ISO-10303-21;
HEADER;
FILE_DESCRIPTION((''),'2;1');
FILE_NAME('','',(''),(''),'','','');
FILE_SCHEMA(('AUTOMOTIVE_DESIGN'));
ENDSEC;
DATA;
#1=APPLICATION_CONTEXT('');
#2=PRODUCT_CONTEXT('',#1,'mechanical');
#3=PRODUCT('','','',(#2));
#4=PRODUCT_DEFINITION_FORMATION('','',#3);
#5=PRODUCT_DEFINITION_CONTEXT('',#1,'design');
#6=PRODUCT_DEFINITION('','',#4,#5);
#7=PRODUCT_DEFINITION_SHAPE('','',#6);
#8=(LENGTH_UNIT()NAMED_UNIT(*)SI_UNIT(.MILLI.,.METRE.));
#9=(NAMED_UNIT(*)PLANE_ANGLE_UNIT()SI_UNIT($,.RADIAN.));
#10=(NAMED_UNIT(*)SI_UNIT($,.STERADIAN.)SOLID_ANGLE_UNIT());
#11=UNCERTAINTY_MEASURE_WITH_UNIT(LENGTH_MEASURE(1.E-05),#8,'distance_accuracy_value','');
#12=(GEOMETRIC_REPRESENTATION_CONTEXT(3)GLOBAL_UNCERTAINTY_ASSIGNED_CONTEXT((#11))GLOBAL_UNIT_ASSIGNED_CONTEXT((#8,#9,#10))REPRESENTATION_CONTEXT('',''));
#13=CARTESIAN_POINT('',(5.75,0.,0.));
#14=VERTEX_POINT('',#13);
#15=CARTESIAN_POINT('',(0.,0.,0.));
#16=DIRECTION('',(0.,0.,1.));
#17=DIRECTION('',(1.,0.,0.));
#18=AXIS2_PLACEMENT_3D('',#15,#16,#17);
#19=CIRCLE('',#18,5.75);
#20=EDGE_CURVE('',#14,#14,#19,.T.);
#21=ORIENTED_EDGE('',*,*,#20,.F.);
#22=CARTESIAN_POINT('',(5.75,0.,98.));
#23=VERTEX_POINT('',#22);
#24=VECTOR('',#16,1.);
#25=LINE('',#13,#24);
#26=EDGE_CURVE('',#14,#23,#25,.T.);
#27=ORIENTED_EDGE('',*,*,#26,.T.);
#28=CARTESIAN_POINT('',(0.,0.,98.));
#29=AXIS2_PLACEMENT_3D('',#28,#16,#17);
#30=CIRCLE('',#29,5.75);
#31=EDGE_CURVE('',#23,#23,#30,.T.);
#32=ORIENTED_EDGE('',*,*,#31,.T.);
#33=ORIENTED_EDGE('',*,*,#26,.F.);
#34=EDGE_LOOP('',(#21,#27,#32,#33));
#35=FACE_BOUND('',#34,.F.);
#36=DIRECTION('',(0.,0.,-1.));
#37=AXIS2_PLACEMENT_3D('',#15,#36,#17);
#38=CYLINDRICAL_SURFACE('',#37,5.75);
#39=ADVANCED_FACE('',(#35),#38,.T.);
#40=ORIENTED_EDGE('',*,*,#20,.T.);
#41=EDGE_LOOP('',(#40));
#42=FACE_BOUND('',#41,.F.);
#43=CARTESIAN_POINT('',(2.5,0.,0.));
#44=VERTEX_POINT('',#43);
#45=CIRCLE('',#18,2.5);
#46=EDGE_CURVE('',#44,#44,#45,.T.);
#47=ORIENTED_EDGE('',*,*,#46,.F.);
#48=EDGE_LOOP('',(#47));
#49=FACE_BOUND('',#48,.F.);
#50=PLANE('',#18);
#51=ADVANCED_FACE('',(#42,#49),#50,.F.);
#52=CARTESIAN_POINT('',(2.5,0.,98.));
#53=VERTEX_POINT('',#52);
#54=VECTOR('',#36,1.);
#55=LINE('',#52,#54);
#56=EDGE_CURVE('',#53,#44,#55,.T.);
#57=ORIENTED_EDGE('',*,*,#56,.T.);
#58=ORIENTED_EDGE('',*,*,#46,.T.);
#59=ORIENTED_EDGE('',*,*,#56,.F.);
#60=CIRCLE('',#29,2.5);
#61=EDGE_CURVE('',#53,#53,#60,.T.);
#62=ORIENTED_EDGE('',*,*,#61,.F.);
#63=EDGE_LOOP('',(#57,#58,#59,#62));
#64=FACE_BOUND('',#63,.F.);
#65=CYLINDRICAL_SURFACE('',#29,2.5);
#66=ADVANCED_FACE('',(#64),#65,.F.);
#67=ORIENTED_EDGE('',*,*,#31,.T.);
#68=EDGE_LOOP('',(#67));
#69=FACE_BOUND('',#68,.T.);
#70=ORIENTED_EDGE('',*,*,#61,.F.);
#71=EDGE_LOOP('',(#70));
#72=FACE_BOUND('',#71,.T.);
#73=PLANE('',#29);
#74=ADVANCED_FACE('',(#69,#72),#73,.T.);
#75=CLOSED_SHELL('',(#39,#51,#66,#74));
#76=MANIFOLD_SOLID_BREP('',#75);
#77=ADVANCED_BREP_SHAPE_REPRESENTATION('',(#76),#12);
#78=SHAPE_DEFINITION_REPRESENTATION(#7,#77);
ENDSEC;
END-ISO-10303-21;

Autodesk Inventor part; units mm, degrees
ref_plane "YZ Plane" through (0, 0, 0) normal (1, 0, 0) x (0, 1, 0)
ref_plane "XZ Plane" through (0, 0, 0) normal (0, 1, 0) x (-1, 0, 0)
ref_plane "XY Plane" through (0, 0, 0) normal (0, 0, 1) x (1, 0, 0)
sketch "Sketch1" plane through (0, 0, 0) normal (0, 0, 1) x (1, 0, 0)
  circle A0 centre (0, 0) radius 5.75
  dimension "d0" = 11.5
extrude "Extrusion1" add sketch "Sketch1" along normal blind 98
sketch "Sketch2" plane through (0, 0, 98) normal (0, 0, 1) x (1, 0, 0)
  circle A0 centre (0, 0) radius 2.5
  dimension "d3" = 5
extrude "Extrusion2" cut sketch "Sketch2" against normal through all
properties part number "12 x 100mm Shaft" material "ABS Plastic"
